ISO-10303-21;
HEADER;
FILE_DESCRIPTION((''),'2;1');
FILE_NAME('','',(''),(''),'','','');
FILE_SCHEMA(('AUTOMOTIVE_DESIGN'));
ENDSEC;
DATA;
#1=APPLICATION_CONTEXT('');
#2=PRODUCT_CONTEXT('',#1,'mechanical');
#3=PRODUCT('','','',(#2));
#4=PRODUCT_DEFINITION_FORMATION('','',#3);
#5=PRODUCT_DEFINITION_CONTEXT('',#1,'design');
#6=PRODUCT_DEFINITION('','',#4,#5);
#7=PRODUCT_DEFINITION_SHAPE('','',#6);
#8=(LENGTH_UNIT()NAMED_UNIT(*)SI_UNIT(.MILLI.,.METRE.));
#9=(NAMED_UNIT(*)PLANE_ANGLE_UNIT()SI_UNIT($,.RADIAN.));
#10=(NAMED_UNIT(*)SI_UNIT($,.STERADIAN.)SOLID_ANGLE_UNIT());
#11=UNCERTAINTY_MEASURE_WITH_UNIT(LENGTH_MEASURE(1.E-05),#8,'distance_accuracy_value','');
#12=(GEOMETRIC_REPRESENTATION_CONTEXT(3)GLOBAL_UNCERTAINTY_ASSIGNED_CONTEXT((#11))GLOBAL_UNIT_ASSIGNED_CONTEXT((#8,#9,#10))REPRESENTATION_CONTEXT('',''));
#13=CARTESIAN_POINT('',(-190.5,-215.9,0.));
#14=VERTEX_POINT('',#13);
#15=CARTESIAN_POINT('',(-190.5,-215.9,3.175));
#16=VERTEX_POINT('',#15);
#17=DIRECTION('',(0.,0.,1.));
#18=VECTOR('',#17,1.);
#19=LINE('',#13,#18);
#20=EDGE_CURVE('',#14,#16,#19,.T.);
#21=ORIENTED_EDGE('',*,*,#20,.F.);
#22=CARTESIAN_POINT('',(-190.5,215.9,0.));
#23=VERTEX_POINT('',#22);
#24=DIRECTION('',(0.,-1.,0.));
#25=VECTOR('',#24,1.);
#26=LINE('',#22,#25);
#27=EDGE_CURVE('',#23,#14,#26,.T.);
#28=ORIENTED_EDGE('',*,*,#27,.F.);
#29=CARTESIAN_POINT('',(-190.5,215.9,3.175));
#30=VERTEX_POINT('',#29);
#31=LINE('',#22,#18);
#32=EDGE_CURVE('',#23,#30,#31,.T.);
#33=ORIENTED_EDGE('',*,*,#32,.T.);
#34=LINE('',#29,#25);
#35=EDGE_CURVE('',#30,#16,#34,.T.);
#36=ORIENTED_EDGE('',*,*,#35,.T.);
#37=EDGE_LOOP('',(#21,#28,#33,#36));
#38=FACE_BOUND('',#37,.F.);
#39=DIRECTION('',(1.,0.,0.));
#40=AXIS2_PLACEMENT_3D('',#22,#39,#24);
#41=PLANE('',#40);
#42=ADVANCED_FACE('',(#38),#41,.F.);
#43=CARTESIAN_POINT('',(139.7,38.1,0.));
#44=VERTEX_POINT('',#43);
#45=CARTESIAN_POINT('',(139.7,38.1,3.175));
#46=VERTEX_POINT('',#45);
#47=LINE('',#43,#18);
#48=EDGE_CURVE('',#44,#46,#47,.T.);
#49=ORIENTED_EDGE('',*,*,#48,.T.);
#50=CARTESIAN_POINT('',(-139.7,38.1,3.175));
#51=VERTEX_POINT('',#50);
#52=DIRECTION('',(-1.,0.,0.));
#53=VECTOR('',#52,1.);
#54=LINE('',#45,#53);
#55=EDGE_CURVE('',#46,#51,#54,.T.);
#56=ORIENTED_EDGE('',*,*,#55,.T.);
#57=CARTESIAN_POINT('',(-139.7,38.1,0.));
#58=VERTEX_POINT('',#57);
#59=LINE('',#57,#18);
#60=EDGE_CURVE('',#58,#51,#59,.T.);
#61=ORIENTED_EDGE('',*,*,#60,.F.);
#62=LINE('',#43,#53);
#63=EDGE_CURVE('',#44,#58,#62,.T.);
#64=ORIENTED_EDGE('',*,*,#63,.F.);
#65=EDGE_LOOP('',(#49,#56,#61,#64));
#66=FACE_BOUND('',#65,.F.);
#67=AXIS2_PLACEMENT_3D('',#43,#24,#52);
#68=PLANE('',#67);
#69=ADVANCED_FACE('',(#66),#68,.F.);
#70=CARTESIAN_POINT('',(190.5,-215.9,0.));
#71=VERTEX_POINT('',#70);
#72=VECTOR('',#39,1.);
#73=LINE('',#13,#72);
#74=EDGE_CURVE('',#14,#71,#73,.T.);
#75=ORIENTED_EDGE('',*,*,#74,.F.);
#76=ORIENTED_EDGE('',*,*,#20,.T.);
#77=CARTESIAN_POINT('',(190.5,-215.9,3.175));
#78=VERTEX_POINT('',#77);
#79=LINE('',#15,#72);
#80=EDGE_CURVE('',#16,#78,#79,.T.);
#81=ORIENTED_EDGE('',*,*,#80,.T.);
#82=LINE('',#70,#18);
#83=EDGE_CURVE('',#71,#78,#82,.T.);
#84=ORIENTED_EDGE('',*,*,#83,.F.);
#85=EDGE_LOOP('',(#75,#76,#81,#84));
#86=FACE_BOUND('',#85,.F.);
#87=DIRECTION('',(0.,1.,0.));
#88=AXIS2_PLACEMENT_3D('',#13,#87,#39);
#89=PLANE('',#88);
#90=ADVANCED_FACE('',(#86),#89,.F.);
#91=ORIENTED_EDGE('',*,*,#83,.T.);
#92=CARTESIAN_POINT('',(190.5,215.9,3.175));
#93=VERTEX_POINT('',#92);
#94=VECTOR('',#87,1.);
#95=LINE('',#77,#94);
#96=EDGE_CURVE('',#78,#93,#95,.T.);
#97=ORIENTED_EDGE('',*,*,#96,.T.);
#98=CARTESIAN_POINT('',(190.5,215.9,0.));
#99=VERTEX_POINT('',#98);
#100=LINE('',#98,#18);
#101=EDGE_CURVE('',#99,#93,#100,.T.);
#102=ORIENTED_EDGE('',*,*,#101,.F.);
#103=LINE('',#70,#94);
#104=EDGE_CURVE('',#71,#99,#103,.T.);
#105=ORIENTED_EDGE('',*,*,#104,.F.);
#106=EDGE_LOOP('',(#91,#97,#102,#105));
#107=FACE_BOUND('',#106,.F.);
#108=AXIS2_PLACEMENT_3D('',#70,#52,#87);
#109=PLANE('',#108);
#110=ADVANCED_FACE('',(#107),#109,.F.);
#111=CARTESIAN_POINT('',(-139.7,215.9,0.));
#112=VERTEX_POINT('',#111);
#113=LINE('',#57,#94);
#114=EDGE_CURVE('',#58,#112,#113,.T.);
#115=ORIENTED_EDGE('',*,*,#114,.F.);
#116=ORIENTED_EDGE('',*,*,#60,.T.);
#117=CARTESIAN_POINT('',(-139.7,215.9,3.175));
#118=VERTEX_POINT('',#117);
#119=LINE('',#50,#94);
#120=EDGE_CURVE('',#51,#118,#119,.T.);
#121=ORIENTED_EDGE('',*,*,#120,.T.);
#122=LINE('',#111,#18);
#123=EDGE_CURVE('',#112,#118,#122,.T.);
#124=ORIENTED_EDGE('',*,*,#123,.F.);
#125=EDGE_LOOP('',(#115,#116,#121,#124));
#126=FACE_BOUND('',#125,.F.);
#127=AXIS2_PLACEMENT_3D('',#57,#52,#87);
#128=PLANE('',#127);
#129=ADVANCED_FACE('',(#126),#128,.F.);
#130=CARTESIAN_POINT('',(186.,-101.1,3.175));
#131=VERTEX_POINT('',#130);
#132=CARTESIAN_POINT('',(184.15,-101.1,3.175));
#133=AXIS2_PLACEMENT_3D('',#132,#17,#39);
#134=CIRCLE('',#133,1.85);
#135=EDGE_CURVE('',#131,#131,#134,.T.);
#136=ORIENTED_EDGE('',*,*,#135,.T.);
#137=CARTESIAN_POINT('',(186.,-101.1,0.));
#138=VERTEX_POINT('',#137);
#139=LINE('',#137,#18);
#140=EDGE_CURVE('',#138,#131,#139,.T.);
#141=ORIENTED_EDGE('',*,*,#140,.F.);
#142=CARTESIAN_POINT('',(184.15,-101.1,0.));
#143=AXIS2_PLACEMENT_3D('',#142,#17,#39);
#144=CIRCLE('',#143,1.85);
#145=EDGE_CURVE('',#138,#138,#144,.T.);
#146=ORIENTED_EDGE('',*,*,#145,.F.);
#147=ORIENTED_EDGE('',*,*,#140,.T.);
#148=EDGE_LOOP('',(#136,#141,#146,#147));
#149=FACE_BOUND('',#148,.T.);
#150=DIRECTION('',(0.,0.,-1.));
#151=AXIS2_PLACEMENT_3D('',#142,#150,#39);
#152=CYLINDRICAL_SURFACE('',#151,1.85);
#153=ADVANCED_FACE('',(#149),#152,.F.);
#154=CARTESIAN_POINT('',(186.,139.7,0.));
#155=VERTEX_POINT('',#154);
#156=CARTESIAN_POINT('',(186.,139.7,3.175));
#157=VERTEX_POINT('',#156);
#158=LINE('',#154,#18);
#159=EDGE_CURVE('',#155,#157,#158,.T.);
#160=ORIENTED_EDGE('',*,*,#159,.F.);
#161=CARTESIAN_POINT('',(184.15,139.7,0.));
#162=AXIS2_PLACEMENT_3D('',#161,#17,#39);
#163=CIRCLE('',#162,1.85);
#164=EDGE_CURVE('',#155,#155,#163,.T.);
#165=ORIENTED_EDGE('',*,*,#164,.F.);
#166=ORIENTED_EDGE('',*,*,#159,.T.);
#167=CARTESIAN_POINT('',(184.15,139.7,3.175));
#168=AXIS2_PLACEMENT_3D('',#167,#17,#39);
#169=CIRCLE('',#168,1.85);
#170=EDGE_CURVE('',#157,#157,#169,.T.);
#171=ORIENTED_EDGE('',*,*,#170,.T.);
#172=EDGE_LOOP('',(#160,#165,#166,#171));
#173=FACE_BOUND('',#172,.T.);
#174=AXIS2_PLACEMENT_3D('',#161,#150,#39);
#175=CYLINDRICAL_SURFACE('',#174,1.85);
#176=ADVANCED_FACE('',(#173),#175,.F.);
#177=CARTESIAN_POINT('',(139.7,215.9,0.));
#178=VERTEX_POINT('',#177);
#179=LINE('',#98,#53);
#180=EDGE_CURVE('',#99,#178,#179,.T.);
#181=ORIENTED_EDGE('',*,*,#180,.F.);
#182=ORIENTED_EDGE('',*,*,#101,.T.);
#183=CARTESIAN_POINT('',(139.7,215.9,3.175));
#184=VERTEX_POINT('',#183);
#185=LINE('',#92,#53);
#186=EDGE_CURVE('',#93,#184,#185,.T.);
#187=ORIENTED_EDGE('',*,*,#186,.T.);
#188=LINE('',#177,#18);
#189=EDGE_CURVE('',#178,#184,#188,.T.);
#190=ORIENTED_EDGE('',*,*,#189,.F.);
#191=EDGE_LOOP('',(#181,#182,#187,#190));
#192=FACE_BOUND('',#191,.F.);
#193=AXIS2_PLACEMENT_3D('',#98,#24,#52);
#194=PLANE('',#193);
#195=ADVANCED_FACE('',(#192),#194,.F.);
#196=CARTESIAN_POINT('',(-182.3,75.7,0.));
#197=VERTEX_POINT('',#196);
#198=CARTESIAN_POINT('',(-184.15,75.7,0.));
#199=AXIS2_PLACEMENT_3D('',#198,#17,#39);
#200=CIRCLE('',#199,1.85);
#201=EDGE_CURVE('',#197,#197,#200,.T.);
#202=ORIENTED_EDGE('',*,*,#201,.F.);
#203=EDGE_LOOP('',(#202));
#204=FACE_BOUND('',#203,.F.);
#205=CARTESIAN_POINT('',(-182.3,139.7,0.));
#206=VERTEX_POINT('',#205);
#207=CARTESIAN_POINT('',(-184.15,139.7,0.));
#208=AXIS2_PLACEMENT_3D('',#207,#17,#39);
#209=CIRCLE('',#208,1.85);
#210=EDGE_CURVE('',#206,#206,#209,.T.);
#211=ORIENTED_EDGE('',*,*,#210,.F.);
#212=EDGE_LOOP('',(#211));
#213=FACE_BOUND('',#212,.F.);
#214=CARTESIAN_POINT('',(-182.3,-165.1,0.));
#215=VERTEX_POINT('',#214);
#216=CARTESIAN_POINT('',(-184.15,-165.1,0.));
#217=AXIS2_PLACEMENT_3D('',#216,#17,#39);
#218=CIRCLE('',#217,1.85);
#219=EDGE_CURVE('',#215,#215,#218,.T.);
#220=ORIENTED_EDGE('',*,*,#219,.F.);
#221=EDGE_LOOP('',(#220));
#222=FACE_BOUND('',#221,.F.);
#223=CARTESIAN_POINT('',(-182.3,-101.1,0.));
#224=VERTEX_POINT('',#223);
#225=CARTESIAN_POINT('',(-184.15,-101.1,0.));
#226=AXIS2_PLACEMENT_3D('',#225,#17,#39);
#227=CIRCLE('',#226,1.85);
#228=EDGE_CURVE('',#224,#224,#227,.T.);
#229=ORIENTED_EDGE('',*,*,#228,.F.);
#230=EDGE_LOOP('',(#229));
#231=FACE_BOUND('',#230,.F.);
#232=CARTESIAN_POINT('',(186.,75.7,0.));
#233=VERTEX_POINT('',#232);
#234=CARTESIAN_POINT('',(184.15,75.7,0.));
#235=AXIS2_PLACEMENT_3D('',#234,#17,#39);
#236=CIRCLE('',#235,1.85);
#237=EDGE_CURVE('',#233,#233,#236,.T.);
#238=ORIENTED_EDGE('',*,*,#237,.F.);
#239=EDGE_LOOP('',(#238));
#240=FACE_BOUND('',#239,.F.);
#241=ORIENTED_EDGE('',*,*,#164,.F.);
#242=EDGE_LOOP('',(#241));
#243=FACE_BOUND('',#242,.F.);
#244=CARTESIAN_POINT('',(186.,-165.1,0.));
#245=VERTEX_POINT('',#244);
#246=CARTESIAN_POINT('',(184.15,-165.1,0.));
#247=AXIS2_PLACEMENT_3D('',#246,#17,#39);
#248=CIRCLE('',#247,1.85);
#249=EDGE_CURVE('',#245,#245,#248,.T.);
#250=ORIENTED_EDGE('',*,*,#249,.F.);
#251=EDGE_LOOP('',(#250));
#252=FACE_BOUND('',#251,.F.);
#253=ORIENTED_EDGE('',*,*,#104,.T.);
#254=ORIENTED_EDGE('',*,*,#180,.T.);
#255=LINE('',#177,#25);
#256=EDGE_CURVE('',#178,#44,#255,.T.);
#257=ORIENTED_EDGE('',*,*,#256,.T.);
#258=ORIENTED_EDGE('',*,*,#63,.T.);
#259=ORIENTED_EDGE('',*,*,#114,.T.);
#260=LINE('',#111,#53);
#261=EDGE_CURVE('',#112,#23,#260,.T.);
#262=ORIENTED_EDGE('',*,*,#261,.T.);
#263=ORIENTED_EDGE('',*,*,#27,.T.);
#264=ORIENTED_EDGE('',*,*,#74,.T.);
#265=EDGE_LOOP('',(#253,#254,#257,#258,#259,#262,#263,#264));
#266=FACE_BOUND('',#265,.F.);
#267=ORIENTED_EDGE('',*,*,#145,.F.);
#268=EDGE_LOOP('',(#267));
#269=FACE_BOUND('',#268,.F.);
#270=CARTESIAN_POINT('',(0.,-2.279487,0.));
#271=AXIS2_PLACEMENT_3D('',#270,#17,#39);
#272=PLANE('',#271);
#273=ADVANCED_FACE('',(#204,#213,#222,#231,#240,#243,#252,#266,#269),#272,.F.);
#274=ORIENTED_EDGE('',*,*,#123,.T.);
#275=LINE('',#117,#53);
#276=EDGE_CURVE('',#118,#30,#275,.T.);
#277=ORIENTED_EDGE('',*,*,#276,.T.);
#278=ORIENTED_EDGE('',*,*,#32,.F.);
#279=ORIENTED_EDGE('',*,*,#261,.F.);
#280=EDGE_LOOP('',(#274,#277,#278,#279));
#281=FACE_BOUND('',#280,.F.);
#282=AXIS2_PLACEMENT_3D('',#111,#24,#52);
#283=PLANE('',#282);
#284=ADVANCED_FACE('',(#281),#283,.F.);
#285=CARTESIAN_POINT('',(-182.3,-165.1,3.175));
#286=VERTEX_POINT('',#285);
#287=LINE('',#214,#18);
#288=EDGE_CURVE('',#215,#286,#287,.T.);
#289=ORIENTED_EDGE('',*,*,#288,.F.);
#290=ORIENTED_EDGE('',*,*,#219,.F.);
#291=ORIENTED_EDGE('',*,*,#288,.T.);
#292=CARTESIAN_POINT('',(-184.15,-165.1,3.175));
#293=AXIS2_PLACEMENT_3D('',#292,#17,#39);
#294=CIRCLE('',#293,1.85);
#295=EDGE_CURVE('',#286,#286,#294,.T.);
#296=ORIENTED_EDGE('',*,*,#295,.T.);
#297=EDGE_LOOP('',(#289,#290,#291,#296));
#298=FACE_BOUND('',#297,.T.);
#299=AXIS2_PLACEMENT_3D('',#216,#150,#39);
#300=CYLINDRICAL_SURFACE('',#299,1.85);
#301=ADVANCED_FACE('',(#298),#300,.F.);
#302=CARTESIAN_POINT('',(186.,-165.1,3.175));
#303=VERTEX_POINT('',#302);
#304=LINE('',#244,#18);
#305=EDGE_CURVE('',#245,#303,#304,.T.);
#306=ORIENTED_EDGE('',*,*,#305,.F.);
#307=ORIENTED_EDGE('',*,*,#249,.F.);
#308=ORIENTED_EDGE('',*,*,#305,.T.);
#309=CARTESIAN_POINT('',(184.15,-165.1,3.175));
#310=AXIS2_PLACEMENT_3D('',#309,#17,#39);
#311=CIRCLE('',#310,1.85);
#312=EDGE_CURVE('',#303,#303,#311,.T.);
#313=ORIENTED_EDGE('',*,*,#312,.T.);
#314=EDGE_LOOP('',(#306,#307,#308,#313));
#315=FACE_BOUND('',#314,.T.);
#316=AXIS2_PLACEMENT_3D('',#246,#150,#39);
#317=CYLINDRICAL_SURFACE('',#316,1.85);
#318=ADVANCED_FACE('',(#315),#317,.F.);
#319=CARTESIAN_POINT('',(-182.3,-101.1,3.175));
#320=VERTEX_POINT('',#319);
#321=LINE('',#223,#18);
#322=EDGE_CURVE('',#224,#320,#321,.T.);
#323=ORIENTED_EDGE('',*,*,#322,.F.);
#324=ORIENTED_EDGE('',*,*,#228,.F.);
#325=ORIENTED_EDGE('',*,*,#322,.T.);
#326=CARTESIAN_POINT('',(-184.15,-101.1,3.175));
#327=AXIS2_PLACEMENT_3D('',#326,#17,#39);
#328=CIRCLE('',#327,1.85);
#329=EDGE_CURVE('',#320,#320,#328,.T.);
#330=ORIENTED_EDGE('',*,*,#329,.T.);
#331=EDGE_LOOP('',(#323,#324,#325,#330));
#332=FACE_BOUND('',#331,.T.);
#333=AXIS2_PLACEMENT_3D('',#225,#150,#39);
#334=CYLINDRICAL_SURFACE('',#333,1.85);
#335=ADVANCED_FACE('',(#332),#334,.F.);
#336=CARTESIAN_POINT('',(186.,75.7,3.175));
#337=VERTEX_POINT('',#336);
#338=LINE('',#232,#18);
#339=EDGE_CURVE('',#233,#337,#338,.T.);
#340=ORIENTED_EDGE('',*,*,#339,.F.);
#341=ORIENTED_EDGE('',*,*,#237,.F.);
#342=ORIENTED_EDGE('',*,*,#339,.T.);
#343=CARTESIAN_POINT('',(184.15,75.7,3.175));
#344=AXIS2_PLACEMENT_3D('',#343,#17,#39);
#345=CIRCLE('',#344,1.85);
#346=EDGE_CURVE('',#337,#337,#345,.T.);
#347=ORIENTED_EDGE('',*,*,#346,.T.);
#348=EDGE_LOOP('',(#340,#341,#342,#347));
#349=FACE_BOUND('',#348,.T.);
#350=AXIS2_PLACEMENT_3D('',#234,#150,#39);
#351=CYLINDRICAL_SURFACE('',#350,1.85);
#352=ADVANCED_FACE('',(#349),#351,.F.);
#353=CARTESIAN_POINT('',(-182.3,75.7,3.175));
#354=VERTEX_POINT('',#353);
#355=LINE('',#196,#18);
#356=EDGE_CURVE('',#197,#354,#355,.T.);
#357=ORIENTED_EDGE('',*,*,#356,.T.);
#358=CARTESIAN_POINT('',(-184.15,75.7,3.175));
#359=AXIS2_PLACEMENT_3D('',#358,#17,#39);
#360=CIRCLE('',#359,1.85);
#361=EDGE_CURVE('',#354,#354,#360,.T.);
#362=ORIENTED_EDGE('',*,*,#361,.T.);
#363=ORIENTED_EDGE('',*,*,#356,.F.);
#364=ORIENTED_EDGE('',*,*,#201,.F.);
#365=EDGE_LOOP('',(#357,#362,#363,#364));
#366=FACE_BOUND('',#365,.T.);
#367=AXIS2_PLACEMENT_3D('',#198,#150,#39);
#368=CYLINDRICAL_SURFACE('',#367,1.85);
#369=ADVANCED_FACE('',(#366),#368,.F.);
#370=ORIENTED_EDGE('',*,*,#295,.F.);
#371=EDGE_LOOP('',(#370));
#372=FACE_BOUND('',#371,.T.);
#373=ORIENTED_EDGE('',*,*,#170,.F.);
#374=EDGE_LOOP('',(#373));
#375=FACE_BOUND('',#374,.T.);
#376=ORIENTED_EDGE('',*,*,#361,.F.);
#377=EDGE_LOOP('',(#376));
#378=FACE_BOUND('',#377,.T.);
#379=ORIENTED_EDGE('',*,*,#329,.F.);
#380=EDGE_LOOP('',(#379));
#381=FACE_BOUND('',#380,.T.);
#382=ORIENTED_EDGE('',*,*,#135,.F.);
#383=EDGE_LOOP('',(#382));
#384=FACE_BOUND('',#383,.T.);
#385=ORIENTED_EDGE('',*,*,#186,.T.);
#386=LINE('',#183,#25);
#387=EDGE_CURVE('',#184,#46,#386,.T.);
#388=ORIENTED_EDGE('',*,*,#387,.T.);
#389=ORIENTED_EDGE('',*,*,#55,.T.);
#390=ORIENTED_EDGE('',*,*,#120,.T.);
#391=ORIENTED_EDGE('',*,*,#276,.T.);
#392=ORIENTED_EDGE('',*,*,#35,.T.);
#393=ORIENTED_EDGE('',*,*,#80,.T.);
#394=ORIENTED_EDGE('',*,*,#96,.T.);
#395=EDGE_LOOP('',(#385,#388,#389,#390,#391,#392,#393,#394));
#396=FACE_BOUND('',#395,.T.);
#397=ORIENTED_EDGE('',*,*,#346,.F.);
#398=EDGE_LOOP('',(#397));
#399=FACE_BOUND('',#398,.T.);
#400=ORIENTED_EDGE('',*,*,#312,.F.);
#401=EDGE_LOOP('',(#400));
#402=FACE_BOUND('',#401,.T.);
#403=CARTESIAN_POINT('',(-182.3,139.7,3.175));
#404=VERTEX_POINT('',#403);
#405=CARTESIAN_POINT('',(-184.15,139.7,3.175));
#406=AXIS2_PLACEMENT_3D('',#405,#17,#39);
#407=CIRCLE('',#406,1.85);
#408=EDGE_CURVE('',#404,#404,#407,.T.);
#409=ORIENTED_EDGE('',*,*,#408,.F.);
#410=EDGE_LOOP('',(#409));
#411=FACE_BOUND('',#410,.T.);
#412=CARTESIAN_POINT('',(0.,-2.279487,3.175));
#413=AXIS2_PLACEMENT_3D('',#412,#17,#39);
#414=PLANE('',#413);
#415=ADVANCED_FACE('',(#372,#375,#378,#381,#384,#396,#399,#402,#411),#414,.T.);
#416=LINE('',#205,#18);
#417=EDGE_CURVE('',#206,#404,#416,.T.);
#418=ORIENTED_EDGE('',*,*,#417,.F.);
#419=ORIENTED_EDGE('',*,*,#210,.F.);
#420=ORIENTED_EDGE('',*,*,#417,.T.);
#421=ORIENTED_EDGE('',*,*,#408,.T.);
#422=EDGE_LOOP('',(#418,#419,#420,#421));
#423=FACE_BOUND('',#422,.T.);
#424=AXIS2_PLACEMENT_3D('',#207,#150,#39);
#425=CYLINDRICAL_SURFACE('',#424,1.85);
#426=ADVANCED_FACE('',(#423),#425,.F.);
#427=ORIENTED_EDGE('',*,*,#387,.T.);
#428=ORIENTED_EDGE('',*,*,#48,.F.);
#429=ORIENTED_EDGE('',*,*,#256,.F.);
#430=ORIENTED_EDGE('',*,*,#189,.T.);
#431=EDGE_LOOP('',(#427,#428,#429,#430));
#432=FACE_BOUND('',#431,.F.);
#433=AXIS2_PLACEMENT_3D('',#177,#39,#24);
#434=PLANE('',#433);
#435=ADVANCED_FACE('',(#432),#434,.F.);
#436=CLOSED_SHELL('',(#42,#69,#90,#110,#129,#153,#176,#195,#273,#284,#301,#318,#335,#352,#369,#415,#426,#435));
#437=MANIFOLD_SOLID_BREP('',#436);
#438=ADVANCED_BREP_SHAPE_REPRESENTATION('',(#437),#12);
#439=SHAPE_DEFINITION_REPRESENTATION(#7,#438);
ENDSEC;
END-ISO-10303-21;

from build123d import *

# Parameters (mm, degrees)
F0_R     = 1.85
F1_DEPTH = 3.175


with BuildPart() as f1:
    # F0 (on Top) → F1 (new body)
    with BuildSketch(Plane.XY):
        Polygon((190.5, -215.9), (190.5, 215.9), (139.7, 215.9), (139.7, 38.1), (-139.7, 38.1), (-139.7, 215.9), (-190.5, 215.9), (-190.5, -215.9), align=None)
        with Locations((-184.15, -165.1)):
            Circle(F0_R, mode=Mode.SUBTRACT)
        with Locations((-184.15, -101.1)):
            Circle(F0_R, mode=Mode.SUBTRACT)
        with Locations((184.15, -165.1)):
            Circle(F0_R, mode=Mode.SUBTRACT)
        with Locations((184.15, -101.1)):
            Circle(F0_R, mode=Mode.SUBTRACT)
        with Locations((-184.15, 75.7)):
            Circle(F0_R, mode=Mode.SUBTRACT)
        with Locations((-184.15, 139.7)):
            Circle(F0_R, mode=Mode.SUBTRACT)
        with Locations((184.15, 75.7)):
            Circle(F0_R, mode=Mode.SUBTRACT)
        with Locations((184.15, 139.7)):
            Circle(F0_R, mode=Mode.SUBTRACT)
    extrude(amount=F1_DEPTH)


solid = f1.part
